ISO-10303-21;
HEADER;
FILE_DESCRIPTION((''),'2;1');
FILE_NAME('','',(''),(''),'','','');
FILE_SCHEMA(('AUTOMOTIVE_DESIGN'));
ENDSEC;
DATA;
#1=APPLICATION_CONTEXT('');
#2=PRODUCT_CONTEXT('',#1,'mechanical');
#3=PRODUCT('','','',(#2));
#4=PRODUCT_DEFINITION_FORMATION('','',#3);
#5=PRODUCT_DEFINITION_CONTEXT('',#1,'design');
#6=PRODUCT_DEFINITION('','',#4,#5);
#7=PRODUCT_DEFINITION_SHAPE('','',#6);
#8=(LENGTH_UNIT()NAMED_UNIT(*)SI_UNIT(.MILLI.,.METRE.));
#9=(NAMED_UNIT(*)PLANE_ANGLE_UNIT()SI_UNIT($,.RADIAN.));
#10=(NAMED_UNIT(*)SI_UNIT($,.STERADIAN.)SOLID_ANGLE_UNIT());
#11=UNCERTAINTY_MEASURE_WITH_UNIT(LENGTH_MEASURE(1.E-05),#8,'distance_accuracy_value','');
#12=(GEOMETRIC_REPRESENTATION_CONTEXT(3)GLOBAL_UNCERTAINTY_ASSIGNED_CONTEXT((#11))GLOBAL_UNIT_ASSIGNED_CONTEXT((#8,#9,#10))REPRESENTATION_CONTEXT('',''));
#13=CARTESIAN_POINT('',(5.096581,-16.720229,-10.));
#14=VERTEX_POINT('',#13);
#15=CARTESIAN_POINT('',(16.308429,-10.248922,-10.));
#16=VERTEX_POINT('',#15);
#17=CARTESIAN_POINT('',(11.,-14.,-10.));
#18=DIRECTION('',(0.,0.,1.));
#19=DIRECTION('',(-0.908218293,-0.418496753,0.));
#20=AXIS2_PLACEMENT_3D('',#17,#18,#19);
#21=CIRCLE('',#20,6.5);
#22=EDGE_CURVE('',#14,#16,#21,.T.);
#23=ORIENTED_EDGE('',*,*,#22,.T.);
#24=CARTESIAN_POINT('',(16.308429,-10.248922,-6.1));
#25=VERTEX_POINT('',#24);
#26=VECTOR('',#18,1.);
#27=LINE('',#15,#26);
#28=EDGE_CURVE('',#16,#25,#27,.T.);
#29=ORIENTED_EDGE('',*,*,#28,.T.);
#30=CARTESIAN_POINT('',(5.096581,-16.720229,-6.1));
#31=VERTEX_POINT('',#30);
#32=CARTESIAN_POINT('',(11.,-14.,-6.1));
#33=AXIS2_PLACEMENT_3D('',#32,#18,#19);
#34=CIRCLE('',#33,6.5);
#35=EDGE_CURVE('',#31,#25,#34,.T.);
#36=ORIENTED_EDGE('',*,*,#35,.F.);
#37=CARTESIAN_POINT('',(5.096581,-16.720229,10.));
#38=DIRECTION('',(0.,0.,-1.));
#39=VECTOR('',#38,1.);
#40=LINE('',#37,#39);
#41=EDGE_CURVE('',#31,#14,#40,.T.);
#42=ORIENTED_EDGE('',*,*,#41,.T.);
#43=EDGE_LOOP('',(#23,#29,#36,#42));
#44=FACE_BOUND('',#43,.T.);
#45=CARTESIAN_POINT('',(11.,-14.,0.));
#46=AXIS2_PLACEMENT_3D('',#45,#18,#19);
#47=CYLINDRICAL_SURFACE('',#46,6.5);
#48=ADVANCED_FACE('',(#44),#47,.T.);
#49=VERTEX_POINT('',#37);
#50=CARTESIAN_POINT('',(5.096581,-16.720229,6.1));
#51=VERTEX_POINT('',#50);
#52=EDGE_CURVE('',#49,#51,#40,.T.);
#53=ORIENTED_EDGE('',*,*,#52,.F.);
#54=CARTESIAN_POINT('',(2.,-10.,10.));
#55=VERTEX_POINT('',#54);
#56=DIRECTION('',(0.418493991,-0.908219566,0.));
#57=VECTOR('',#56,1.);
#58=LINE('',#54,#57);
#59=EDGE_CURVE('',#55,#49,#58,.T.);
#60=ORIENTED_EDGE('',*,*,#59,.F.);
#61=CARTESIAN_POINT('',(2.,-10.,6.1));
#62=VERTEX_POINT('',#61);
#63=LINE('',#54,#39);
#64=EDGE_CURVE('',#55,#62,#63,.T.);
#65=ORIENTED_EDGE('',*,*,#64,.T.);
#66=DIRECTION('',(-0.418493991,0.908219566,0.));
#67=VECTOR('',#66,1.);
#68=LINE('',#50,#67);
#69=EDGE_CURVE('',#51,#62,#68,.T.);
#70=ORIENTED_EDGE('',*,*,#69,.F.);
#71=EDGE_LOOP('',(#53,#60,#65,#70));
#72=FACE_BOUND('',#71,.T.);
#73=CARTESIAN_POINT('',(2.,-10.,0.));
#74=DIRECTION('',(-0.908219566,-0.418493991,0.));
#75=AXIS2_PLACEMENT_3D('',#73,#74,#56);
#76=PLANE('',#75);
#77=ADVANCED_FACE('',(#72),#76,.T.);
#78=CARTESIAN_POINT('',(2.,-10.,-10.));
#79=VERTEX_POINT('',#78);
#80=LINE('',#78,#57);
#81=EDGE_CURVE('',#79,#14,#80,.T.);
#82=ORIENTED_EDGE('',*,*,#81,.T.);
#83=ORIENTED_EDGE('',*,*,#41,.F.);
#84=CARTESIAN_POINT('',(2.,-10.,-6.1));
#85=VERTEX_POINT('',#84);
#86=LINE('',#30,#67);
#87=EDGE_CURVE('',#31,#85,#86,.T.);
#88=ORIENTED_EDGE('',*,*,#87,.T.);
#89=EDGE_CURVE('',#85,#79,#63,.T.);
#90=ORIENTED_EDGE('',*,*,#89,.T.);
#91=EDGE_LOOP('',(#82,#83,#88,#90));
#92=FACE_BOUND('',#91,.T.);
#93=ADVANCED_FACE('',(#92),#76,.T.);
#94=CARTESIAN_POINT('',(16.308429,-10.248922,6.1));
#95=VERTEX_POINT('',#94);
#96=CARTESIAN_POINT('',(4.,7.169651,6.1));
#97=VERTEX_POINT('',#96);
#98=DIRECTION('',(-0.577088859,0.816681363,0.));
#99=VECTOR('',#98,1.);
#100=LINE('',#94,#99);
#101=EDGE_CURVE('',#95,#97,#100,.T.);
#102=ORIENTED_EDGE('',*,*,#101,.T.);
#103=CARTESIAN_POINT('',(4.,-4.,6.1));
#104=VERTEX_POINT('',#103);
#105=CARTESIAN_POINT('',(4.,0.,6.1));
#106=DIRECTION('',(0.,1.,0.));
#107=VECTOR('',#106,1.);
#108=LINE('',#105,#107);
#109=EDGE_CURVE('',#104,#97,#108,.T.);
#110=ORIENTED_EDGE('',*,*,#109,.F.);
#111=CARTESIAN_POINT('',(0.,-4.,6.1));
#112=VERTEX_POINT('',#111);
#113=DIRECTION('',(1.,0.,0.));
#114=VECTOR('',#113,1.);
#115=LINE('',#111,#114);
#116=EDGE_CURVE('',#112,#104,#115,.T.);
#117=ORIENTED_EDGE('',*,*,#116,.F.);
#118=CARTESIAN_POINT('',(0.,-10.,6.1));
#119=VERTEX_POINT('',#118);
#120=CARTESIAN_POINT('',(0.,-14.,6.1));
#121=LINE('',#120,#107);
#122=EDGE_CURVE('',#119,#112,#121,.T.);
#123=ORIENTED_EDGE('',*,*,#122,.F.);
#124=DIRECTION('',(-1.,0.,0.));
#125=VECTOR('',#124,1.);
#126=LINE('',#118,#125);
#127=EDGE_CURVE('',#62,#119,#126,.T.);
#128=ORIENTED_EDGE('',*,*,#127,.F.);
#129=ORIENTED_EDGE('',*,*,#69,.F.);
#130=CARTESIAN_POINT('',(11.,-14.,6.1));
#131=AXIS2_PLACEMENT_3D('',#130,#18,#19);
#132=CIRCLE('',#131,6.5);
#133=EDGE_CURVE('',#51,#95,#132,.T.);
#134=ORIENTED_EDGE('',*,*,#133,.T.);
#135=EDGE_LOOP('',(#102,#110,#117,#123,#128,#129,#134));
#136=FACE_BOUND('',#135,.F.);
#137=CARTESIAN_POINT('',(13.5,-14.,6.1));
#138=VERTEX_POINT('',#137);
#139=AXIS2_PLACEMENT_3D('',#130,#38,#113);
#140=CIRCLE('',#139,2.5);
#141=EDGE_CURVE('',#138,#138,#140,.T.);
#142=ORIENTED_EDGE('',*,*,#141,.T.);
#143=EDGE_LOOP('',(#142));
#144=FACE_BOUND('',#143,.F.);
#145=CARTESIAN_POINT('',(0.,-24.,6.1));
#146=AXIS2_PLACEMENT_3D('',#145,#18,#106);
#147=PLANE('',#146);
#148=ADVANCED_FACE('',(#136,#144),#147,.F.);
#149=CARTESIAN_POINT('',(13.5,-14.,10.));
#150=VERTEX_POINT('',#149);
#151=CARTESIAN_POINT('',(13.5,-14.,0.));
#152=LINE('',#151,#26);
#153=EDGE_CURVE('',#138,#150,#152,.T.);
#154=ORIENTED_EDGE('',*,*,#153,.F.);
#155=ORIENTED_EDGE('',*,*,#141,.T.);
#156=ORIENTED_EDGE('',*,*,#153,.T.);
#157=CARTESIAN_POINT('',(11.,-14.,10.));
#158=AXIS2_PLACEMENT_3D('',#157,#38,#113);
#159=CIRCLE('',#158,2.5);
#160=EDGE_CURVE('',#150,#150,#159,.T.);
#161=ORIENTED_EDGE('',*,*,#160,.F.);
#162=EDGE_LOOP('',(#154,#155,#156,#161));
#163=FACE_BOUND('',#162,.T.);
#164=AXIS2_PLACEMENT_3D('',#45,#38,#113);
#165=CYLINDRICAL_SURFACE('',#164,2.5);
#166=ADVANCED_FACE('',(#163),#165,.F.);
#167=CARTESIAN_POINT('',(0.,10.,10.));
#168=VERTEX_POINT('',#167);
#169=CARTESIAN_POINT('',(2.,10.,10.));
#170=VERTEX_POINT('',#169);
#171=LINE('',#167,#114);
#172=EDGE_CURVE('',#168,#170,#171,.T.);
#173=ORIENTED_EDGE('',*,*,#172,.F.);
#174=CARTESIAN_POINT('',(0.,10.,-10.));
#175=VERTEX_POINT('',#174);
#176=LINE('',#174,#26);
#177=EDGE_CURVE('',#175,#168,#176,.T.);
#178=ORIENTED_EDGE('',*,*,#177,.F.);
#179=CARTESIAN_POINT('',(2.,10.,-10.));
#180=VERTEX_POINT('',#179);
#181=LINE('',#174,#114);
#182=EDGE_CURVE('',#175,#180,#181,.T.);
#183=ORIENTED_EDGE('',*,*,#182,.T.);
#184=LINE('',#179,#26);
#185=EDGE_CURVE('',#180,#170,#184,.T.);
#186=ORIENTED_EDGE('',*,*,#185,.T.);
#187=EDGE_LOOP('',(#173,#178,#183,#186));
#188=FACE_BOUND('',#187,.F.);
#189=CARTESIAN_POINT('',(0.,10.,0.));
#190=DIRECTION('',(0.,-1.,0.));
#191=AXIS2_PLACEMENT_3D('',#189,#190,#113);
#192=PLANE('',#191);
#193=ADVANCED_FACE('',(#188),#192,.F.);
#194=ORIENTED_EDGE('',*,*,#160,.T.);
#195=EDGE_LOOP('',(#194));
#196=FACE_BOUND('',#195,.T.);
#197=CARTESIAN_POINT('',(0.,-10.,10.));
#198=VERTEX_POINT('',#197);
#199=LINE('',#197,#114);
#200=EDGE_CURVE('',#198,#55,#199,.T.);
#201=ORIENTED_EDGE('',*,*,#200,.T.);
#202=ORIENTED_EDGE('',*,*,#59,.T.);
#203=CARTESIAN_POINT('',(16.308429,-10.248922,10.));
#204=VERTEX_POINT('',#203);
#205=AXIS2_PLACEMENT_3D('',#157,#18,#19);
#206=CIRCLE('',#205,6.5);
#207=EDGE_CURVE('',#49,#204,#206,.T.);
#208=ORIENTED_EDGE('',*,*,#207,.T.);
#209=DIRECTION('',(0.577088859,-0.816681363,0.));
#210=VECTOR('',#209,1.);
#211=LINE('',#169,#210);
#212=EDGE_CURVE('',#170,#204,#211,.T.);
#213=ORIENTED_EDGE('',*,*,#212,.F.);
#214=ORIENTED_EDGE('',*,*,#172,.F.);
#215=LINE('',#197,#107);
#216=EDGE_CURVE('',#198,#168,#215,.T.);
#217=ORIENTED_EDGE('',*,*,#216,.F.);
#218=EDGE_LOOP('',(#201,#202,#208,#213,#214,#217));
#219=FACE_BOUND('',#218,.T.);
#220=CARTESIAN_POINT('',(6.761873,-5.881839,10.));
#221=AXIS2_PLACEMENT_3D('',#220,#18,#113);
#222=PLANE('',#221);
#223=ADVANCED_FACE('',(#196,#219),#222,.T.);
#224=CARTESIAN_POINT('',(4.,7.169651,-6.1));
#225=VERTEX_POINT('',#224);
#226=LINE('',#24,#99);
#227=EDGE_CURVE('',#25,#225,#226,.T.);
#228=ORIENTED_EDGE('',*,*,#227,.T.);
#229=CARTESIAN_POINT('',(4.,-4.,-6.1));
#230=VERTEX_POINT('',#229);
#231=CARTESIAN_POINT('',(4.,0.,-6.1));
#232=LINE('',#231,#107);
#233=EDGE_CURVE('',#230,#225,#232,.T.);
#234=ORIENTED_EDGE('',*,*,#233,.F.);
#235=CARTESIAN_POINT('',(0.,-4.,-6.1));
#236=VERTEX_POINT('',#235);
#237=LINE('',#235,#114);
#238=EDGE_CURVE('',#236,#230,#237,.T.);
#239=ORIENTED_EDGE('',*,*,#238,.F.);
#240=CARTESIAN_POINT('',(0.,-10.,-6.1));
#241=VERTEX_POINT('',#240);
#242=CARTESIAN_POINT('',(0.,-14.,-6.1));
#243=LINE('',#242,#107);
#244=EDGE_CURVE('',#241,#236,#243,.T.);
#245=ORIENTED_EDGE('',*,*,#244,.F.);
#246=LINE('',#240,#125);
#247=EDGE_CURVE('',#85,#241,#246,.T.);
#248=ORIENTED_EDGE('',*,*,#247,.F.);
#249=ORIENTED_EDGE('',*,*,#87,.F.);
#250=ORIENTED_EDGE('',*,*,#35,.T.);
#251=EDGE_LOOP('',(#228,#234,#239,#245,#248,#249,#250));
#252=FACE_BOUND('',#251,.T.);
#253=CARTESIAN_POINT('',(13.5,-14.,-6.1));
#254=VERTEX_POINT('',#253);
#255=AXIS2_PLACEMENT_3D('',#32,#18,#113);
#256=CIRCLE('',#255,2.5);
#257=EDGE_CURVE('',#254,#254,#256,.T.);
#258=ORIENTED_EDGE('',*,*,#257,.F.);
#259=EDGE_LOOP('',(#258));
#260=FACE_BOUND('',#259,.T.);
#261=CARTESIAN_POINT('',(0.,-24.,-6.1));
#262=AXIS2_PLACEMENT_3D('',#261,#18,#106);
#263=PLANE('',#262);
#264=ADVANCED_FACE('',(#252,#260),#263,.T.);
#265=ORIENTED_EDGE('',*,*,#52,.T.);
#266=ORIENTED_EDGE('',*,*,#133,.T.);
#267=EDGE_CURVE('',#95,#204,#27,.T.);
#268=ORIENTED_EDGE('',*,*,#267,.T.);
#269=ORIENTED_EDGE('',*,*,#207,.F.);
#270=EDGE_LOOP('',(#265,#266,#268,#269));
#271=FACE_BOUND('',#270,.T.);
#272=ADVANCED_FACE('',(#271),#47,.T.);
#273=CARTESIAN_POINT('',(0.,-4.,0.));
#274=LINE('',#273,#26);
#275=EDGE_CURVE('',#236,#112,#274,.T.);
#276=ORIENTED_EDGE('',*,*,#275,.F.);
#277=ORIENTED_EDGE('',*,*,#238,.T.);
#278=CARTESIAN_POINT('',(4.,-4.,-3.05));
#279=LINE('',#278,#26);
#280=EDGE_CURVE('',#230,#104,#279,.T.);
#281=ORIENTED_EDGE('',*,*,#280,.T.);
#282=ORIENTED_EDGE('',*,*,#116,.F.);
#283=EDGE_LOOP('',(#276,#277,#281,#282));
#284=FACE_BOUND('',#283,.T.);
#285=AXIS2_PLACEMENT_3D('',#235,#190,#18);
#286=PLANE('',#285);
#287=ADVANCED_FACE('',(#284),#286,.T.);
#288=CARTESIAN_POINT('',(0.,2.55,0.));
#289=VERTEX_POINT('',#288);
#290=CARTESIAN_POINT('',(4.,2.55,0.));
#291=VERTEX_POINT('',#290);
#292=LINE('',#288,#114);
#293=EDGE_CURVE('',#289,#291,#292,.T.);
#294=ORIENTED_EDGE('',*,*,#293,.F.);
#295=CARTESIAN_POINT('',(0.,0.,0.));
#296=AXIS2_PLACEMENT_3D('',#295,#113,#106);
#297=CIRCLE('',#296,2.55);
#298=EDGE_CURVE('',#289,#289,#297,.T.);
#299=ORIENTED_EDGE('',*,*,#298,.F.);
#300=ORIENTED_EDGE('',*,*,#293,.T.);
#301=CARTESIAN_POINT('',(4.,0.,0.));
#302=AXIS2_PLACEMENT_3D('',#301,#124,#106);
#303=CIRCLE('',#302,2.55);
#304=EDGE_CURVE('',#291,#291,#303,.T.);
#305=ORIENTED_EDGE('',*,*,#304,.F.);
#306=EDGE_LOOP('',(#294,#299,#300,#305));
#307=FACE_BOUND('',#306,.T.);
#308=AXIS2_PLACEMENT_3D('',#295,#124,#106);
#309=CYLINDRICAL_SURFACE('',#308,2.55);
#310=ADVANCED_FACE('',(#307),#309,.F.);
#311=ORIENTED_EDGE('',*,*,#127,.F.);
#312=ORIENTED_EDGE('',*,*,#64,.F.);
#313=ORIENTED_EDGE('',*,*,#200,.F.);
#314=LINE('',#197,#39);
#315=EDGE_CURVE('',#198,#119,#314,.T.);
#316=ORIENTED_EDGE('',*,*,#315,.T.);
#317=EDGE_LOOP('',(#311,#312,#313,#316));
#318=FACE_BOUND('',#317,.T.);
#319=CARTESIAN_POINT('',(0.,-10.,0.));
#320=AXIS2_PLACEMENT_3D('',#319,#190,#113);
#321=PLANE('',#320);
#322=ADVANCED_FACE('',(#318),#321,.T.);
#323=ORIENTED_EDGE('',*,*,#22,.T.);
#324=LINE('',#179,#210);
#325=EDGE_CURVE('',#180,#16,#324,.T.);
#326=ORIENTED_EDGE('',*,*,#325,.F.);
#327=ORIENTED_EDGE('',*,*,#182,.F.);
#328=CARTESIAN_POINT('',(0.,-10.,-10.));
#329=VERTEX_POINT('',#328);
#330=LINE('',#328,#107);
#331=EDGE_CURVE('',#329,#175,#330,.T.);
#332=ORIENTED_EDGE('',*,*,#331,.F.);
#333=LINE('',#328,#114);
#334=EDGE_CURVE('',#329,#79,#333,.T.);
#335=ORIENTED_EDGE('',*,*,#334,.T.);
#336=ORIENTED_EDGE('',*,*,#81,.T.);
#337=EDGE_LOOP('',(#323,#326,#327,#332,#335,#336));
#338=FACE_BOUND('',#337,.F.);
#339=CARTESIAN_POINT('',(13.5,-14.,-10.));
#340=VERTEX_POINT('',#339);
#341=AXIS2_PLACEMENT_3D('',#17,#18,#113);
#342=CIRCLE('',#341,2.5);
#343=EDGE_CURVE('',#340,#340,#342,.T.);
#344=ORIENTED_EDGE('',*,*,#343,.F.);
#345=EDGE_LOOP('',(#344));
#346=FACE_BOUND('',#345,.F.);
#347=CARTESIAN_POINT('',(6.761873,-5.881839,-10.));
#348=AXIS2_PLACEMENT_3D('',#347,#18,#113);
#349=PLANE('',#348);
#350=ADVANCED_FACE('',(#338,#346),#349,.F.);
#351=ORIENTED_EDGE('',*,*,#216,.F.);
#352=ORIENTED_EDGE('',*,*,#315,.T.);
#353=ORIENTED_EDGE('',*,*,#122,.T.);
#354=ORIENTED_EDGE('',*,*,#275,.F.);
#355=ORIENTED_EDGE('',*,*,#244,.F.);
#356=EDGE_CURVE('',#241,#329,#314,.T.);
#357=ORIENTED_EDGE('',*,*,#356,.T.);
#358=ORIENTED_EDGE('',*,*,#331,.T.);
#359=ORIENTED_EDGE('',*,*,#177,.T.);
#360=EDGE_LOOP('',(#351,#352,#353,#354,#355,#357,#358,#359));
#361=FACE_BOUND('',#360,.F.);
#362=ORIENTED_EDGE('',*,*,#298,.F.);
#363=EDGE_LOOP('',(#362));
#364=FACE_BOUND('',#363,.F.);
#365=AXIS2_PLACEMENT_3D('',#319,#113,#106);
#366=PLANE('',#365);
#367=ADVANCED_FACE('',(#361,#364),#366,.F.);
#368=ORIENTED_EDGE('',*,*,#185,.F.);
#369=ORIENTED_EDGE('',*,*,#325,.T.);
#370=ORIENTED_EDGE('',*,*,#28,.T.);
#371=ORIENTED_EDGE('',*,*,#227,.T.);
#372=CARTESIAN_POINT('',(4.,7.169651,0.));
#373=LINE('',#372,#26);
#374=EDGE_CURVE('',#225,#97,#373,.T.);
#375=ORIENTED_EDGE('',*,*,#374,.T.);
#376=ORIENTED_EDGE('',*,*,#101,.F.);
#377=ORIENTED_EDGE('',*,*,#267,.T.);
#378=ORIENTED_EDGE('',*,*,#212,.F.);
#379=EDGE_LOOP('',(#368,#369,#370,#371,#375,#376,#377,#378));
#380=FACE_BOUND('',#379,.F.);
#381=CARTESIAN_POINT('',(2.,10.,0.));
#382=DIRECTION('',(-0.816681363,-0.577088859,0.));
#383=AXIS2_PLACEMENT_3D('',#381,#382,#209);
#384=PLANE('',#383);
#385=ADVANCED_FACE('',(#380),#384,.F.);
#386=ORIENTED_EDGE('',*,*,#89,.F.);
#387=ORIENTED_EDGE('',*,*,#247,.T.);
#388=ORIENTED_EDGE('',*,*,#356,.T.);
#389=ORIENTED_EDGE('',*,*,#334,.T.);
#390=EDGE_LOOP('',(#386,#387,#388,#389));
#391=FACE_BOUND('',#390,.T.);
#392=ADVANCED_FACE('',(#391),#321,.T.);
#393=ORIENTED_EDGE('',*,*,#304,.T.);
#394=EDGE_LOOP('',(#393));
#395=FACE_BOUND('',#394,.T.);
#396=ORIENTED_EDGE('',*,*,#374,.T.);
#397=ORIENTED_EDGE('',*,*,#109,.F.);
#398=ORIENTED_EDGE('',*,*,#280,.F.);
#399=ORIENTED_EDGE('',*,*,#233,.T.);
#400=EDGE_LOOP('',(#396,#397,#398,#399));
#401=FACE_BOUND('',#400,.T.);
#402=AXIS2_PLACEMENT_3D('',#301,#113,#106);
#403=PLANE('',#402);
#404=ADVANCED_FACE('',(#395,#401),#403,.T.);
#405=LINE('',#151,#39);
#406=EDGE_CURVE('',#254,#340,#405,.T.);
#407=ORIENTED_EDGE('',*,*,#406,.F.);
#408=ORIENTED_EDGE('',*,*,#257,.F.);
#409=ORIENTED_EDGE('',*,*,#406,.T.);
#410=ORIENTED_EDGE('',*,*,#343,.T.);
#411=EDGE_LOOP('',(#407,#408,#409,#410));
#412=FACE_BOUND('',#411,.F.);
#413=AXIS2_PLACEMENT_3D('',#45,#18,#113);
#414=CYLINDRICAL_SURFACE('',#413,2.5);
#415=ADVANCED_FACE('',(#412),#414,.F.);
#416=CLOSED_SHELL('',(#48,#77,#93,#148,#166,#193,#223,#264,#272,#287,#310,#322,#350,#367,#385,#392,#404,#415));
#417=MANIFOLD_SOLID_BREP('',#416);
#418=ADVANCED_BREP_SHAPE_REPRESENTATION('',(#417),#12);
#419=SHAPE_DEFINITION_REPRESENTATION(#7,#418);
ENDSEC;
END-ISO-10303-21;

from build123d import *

# Parameters (mm, degrees)
PAD020_DEPTH         = 10
SKETCH048_R          = 2.55
SKETCH048_W          = 20
SKETCH048_H          = 12.2
POCKET016_DEPTH      = 0.001
POCKET016_DEPTH_BACK = -17.501
SKETCH049_W          = 50
SKETCH049_H          = 12.2
POCKET017_DEPTH      = 13.501
SKETCH050_R          = 2.5
POCKET018_DEPTH      = 10.001
POCKET018_DEPTH_BACK = -10.001


with BuildPart() as part:
    # Sketch047 → Pad020 (new body, symmetric)
    with BuildSketch(Plane.XY):
        with BuildLine():
            ThreePointArc((5.096581, -16.720229), (14.249301, -19.629569), (16.308429, -10.248922))
            Line((2, 10), (16.308429, -10.248922))
            Line((0, 10), (2, 10))
            Line((0, -10), (0, 10))
            Line((0, -10), (2, -10))
            Line((2, -10), (5.096581, -16.720229))
        make_face()
    extrude(amount=PAD020_DEPTH, both=True)

    # Sketch048 → Pocket016 (cut, two sides)
    with BuildSketch(Plane.YZ) as pocket016_sk:
        Circle(SKETCH048_R)
        with Locations((-14, 0)):
            Rectangle(SKETCH048_W, SKETCH048_H)
    extrude(amount=-POCKET016_DEPTH, mode=Mode.SUBTRACT)
    extrude(pocket016_sk.sketch, amount=-POCKET016_DEPTH_BACK, mode=Mode.SUBTRACT)

    # Sketch049 → Pocket017 (cut, through all)
    with BuildSketch(Plane.YZ.offset(4)):
        Rectangle(SKETCH049_W, SKETCH049_H)
    extrude(amount=POCKET017_DEPTH, mode=Mode.SUBTRACT)

    # Sketch050 → Pocket018 (cut, two sides)
    with BuildSketch(Plane.XY) as pocket018_sk:
        with Locations((11, -14)):
            Circle(SKETCH050_R)
    extrude(amount=-POCKET018_DEPTH, mode=Mode.SUBTRACT)
    extrude(pocket018_sk.sketch, amount=-POCKET018_DEPTH_BACK, mode=Mode.SUBTRACT)


solid = part.part
